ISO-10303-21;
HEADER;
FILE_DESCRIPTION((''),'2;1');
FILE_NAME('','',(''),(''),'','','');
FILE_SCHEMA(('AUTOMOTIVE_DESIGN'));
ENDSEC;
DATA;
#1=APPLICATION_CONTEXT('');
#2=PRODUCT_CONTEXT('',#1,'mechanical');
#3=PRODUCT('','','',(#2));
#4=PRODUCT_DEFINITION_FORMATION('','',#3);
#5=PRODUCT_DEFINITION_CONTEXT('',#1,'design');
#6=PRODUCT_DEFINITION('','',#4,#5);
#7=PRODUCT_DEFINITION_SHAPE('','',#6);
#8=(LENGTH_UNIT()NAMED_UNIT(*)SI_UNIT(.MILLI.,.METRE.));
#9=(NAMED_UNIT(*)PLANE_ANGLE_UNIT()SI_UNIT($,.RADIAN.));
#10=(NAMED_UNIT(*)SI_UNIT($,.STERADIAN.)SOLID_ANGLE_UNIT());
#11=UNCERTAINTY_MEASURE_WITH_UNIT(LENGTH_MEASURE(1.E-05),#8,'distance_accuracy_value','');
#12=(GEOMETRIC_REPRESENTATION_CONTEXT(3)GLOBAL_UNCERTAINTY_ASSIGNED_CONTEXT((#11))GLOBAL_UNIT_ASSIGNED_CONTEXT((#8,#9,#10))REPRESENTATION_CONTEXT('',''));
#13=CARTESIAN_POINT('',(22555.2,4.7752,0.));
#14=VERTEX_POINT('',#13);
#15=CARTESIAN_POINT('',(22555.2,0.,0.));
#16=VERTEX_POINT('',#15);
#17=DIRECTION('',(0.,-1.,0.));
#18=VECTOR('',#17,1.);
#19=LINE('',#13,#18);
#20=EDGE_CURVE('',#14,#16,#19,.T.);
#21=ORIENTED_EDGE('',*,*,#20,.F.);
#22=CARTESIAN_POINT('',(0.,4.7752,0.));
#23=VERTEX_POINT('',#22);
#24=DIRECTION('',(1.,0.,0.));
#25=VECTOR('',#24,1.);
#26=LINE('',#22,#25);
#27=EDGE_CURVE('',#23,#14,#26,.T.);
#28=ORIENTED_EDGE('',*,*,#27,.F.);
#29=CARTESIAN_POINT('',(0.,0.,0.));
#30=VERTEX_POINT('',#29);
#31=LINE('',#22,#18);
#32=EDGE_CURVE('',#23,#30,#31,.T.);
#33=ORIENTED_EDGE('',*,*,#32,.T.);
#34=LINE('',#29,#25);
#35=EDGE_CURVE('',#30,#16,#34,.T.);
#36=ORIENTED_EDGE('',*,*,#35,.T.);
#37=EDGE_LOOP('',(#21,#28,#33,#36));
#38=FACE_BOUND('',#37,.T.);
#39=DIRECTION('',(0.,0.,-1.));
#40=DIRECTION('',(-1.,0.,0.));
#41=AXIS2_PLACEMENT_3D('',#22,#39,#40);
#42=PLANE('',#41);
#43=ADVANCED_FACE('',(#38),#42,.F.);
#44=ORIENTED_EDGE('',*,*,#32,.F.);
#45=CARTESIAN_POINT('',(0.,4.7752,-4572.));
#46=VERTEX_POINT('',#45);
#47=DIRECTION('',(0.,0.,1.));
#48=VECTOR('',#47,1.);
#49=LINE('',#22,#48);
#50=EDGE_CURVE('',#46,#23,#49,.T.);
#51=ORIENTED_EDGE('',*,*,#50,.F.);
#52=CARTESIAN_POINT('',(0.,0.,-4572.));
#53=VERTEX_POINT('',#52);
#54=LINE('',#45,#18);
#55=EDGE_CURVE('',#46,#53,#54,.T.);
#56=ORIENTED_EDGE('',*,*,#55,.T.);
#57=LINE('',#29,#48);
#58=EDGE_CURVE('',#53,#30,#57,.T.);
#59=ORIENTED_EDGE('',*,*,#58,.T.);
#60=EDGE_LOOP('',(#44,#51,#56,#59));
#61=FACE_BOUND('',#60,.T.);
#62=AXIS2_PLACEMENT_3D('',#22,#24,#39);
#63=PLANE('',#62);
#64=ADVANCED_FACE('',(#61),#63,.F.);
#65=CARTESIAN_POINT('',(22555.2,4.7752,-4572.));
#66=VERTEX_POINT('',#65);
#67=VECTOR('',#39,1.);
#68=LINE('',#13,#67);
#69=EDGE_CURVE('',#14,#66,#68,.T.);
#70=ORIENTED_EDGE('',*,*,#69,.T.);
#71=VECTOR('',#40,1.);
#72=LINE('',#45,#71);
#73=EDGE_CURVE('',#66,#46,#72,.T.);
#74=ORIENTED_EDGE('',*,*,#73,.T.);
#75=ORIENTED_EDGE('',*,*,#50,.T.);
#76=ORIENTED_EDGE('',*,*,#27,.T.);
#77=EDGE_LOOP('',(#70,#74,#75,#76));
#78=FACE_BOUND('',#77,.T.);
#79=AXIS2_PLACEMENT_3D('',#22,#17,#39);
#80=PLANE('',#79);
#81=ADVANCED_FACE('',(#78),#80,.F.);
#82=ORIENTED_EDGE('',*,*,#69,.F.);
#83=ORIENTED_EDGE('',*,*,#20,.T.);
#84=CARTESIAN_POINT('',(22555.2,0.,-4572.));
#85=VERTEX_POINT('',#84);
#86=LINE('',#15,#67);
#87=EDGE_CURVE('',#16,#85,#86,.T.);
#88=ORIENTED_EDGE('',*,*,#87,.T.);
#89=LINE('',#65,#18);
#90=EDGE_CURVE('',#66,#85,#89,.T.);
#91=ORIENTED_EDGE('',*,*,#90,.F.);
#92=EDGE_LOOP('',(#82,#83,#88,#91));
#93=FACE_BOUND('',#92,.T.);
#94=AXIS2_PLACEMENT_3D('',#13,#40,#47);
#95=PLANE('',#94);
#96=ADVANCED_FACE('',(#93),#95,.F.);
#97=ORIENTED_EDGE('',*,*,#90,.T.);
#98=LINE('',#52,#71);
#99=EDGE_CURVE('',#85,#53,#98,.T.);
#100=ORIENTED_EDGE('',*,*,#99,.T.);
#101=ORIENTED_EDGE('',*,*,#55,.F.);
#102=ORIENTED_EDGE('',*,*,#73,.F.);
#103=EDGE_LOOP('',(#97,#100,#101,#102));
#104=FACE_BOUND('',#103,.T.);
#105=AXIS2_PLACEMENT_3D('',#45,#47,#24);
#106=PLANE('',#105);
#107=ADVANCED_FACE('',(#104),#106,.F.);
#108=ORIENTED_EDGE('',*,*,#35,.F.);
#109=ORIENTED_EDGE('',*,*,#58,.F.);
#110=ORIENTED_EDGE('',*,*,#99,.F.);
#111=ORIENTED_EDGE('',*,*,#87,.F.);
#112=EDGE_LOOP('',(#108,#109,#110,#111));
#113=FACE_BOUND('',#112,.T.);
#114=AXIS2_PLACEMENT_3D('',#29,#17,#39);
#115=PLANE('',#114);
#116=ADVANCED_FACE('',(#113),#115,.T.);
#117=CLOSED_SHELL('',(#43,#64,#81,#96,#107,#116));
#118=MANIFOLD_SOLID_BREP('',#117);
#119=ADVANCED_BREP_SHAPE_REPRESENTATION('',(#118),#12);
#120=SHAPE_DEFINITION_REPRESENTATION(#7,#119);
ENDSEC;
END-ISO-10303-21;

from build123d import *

# Parameters (mm, degrees)
SKETCH1_W           = 22555.2
SKETCH1_H           = 4572
BOSS_EXTRUDE1_DEPTH = 4.7752


with BuildPart() as part:
    # Sketch1 → Boss-Extrude1 (new body)
    with BuildSketch(Plane(origin=(0, 0, 0), x_dir=(1, 0, 0), z_dir=(0, 1, 0))):
        with Locations((11277.6, 2286)):
            Rectangle(SKETCH1_W, SKETCH1_H)
    extrude(amount=BOSS_EXTRUDE1_DEPTH)


solid = part.part
